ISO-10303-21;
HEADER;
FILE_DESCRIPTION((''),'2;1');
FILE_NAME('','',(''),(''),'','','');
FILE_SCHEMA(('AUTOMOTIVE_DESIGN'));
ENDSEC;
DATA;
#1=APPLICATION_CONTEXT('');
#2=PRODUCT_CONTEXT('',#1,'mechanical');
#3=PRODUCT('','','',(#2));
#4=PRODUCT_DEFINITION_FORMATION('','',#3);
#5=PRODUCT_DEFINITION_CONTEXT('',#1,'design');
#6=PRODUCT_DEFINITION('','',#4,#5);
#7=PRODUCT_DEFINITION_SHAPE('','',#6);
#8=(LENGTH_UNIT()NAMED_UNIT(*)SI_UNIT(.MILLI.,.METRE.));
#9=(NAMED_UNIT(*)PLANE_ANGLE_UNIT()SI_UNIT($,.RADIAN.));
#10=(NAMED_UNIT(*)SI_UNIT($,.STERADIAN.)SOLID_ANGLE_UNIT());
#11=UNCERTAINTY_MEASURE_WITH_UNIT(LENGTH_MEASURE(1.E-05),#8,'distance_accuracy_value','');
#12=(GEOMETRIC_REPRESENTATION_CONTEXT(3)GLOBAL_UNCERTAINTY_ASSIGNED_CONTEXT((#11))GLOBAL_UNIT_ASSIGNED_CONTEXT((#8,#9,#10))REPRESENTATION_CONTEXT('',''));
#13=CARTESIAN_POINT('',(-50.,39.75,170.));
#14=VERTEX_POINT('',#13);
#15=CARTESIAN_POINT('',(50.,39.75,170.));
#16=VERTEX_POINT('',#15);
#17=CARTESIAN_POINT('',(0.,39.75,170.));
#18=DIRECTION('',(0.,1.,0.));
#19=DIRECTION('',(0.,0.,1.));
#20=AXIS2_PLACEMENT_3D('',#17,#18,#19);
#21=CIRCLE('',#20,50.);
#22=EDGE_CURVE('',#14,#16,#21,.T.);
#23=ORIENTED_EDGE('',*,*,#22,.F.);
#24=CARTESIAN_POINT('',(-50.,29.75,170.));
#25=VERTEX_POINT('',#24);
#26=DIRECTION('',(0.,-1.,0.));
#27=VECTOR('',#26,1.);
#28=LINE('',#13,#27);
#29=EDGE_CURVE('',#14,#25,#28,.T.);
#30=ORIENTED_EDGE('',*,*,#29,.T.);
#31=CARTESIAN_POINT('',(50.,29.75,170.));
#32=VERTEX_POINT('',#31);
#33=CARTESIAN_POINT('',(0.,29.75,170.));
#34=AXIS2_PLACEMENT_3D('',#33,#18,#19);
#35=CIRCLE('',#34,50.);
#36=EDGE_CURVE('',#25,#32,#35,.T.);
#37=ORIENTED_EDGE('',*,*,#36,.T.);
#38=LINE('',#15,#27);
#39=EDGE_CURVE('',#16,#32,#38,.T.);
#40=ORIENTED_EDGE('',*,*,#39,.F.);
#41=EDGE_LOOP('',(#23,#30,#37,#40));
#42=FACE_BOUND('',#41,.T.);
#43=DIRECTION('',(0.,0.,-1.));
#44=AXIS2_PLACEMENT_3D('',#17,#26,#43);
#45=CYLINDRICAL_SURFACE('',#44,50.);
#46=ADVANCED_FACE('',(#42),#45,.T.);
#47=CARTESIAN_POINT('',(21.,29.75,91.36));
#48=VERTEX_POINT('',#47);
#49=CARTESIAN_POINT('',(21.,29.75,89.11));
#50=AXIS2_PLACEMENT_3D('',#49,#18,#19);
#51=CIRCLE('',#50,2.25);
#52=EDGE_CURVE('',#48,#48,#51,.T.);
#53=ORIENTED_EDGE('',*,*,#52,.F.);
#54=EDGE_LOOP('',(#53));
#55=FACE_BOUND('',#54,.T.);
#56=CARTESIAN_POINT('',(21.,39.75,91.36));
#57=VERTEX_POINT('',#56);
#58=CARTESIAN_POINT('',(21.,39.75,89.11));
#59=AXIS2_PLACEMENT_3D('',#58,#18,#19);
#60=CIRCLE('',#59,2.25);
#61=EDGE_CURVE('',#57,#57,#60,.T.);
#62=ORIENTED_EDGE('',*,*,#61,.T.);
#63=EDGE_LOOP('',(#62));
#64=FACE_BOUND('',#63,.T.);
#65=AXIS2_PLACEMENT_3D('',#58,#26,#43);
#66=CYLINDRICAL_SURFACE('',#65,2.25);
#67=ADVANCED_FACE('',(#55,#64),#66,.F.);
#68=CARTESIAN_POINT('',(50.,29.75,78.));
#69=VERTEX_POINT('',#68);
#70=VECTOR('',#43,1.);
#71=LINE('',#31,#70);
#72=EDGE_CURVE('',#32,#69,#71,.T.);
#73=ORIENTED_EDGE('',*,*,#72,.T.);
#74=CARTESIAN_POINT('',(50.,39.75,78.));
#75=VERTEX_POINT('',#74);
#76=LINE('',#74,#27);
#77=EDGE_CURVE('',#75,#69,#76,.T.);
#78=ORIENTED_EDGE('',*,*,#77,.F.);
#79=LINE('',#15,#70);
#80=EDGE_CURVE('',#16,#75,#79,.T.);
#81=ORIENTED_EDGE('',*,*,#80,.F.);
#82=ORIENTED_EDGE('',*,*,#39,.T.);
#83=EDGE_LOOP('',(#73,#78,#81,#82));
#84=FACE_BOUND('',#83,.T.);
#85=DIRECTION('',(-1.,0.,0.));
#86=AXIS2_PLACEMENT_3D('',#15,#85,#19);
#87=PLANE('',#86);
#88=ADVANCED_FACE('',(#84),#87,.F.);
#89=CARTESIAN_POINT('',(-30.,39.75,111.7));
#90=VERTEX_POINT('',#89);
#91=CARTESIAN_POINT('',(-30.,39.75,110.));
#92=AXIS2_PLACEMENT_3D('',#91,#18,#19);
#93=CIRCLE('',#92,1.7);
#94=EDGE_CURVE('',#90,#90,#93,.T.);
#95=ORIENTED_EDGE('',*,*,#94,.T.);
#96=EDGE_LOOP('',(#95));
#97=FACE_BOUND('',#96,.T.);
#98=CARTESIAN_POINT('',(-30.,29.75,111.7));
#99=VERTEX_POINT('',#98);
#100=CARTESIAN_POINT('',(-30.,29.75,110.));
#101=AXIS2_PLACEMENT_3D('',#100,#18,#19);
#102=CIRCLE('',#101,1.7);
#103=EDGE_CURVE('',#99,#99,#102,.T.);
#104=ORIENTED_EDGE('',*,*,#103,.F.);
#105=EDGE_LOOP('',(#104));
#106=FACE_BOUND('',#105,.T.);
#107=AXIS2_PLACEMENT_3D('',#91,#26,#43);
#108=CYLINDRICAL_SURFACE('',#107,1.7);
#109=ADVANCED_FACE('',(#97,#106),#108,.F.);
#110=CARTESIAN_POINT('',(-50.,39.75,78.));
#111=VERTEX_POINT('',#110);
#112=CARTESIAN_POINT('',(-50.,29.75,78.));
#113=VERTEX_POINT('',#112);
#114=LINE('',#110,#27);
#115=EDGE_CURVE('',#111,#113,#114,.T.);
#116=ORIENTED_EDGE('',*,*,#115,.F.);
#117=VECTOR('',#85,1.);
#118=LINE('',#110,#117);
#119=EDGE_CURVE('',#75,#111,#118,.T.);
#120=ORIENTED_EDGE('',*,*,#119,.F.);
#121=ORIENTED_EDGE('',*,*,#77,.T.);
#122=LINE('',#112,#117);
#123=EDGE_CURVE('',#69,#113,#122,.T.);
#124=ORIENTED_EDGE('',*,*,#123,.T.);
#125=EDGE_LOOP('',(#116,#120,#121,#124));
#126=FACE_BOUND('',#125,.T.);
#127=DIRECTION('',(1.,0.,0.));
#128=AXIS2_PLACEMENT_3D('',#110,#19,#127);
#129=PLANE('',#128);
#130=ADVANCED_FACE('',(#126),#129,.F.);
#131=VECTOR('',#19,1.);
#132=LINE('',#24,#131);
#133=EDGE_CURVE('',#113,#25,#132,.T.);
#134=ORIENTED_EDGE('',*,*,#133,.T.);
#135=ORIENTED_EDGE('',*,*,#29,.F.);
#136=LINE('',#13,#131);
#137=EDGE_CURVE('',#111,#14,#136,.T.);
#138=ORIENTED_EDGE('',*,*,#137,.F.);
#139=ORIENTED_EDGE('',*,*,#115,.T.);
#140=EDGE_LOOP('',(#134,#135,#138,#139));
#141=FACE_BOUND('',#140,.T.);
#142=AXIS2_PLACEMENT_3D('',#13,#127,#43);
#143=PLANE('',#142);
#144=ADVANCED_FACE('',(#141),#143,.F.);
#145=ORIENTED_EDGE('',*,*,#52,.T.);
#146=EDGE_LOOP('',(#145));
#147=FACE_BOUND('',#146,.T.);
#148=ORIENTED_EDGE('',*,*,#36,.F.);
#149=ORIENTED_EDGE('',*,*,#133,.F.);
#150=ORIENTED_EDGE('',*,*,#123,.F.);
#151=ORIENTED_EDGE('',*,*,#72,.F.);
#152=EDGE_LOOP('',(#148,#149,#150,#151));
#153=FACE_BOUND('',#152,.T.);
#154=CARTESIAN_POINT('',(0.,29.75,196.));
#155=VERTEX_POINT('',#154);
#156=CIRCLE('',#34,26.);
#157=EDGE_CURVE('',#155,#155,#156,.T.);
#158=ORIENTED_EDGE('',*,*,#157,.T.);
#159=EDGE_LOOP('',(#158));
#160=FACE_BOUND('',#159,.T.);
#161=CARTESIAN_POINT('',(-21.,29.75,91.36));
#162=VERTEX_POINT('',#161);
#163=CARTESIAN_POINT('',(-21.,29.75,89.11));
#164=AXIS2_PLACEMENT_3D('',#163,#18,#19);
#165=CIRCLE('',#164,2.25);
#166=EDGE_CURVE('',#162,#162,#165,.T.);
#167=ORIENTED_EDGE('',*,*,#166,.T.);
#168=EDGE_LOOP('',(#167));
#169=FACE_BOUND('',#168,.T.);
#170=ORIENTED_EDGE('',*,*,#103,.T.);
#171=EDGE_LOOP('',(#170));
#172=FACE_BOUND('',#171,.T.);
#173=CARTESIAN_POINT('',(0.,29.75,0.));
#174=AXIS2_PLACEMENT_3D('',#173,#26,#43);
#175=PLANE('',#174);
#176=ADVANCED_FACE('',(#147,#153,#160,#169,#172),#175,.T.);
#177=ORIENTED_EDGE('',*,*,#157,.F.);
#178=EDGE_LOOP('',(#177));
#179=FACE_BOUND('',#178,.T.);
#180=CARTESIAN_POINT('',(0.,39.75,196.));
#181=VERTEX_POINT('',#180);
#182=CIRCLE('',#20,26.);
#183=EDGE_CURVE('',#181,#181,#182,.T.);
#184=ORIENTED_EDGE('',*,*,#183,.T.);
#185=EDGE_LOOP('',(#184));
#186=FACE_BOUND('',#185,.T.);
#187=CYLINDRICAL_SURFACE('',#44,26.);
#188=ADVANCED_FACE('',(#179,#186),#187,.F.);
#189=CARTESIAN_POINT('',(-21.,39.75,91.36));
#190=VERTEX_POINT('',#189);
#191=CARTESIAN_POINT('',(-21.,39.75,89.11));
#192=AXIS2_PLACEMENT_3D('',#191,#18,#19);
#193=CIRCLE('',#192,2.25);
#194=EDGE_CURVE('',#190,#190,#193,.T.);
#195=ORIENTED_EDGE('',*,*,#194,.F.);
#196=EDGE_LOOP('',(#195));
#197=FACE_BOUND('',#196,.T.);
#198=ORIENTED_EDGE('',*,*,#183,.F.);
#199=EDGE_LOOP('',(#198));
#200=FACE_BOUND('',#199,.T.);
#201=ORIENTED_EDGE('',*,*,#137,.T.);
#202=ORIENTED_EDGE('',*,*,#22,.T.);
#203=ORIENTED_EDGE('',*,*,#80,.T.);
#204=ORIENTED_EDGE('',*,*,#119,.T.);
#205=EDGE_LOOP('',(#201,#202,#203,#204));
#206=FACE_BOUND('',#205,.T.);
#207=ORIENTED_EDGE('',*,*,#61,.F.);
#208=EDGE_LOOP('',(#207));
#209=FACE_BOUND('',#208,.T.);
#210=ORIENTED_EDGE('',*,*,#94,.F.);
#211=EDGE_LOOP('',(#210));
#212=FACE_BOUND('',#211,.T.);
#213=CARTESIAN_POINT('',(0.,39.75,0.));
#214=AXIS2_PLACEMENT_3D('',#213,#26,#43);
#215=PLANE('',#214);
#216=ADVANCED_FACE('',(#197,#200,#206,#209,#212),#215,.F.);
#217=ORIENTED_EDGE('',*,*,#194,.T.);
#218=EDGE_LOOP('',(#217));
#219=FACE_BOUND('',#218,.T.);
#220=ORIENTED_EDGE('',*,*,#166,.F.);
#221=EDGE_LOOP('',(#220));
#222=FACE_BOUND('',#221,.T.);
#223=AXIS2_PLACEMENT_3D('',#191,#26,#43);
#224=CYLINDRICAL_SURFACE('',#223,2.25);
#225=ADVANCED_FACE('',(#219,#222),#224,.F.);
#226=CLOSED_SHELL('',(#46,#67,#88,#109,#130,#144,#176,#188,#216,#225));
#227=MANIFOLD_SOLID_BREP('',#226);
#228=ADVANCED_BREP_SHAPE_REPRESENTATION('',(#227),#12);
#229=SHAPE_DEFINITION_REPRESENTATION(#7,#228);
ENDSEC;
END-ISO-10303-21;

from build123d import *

# Parameters (mm, degrees)
PARED_START               = 29.75
SK_PARED_W                = 100
SK_PARED_H                = 92
PARED_DEPTH               = 10
CABEZA_START              = 29.75
SK_CABEZA_R               = 50
CABEZA_DEPTH              = 10
PASO_CUBO_J2_START        = 29.75
SK_PASO_CUBO_J2_R         = 26
PASO_CUBO_J2_DEPTH        = 10
PASANTES_M4_ANGULOS_START = 29.75
SK_PASANTES_M4_ANGULOS_R  = 2.25
PASANTES_M4_ANGULOS_DEPTH = 10
PASANTE_M3_CINCHO_START   = 29.75
SK_PASANTE_M3_CINCHO_R    = 1.7
PASANTE_M3_CINCHO_DEPTH   = 10


with BuildPart() as part:
    # Sk_Pared → Pared (new body)
    with BuildSketch(Plane(origin=(0, 0, 0), x_dir=(1, 0, 0), z_dir=(0, 1, 0)).offset(PARED_START)):
        with Locations((0, -124)):
            Rectangle(SK_PARED_W, SK_PARED_H)
    extrude(amount=PARED_DEPTH)

    # Sk_Cabeza → Cabeza (add)
    with BuildSketch(Plane(origin=(0, 0, 0), x_dir=(1, 0, 0), z_dir=(0, 1, 0)).offset(CABEZA_START)):
        with Locations((0, -170)):
            Circle(SK_CABEZA_R)
    extrude(amount=CABEZA_DEPTH)

    # Sk_Paso_cubo_J2 → Paso_cubo_J2 (cut)
    with BuildSketch(Plane(origin=(0, 0, 0), x_dir=(1, 0, 0), z_dir=(0, 1, 0)).offset(PASO_CUBO_J2_START)):
        with Locations(Location((0, -170, 0), (0, 0, 270))):
            Circle(SK_PASO_CUBO_J2_R)
    extrude(amount=PASO_CUBO_J2_DEPTH, mode=Mode.SUBTRACT)

    # Sk_Pasantes_M4_angulos → Pasantes_M4_angulos (cut)
    with BuildSketch(Plane(origin=(0, 0, 0), x_dir=(1, 0, 0), z_dir=(0, 1, 0)).offset(PASANTES_M4_ANGULOS_START)):
        with Locations(Location((-21, -89.11, 0), (0, 0, 270))):
            Circle(SK_PASANTES_M4_ANGULOS_R)
        with Locations(Location((21, -89.11, 0), (0, 0, 270))):
            Circle(SK_PASANTES_M4_ANGULOS_R)
    extrude(amount=PASANTES_M4_ANGULOS_DEPTH, mode=Mode.SUBTRACT)

    # Sk_Pasante_M3_cincho → Pasante_M3_cincho (cut)
    with BuildSketch(Plane(origin=(0, 0, 0), x_dir=(1, 0, 0), z_dir=(0, 1, 0)).offset(PASANTE_M3_CINCHO_START)):
        with Locations(Location((-30, -110, 0), (0, 0, 270))):
            Circle(SK_PASANTE_M3_CINCHO_R)
    extrude(amount=PASANTE_M3_CINCHO_DEPTH, mode=Mode.SUBTRACT)


solid = part.part
